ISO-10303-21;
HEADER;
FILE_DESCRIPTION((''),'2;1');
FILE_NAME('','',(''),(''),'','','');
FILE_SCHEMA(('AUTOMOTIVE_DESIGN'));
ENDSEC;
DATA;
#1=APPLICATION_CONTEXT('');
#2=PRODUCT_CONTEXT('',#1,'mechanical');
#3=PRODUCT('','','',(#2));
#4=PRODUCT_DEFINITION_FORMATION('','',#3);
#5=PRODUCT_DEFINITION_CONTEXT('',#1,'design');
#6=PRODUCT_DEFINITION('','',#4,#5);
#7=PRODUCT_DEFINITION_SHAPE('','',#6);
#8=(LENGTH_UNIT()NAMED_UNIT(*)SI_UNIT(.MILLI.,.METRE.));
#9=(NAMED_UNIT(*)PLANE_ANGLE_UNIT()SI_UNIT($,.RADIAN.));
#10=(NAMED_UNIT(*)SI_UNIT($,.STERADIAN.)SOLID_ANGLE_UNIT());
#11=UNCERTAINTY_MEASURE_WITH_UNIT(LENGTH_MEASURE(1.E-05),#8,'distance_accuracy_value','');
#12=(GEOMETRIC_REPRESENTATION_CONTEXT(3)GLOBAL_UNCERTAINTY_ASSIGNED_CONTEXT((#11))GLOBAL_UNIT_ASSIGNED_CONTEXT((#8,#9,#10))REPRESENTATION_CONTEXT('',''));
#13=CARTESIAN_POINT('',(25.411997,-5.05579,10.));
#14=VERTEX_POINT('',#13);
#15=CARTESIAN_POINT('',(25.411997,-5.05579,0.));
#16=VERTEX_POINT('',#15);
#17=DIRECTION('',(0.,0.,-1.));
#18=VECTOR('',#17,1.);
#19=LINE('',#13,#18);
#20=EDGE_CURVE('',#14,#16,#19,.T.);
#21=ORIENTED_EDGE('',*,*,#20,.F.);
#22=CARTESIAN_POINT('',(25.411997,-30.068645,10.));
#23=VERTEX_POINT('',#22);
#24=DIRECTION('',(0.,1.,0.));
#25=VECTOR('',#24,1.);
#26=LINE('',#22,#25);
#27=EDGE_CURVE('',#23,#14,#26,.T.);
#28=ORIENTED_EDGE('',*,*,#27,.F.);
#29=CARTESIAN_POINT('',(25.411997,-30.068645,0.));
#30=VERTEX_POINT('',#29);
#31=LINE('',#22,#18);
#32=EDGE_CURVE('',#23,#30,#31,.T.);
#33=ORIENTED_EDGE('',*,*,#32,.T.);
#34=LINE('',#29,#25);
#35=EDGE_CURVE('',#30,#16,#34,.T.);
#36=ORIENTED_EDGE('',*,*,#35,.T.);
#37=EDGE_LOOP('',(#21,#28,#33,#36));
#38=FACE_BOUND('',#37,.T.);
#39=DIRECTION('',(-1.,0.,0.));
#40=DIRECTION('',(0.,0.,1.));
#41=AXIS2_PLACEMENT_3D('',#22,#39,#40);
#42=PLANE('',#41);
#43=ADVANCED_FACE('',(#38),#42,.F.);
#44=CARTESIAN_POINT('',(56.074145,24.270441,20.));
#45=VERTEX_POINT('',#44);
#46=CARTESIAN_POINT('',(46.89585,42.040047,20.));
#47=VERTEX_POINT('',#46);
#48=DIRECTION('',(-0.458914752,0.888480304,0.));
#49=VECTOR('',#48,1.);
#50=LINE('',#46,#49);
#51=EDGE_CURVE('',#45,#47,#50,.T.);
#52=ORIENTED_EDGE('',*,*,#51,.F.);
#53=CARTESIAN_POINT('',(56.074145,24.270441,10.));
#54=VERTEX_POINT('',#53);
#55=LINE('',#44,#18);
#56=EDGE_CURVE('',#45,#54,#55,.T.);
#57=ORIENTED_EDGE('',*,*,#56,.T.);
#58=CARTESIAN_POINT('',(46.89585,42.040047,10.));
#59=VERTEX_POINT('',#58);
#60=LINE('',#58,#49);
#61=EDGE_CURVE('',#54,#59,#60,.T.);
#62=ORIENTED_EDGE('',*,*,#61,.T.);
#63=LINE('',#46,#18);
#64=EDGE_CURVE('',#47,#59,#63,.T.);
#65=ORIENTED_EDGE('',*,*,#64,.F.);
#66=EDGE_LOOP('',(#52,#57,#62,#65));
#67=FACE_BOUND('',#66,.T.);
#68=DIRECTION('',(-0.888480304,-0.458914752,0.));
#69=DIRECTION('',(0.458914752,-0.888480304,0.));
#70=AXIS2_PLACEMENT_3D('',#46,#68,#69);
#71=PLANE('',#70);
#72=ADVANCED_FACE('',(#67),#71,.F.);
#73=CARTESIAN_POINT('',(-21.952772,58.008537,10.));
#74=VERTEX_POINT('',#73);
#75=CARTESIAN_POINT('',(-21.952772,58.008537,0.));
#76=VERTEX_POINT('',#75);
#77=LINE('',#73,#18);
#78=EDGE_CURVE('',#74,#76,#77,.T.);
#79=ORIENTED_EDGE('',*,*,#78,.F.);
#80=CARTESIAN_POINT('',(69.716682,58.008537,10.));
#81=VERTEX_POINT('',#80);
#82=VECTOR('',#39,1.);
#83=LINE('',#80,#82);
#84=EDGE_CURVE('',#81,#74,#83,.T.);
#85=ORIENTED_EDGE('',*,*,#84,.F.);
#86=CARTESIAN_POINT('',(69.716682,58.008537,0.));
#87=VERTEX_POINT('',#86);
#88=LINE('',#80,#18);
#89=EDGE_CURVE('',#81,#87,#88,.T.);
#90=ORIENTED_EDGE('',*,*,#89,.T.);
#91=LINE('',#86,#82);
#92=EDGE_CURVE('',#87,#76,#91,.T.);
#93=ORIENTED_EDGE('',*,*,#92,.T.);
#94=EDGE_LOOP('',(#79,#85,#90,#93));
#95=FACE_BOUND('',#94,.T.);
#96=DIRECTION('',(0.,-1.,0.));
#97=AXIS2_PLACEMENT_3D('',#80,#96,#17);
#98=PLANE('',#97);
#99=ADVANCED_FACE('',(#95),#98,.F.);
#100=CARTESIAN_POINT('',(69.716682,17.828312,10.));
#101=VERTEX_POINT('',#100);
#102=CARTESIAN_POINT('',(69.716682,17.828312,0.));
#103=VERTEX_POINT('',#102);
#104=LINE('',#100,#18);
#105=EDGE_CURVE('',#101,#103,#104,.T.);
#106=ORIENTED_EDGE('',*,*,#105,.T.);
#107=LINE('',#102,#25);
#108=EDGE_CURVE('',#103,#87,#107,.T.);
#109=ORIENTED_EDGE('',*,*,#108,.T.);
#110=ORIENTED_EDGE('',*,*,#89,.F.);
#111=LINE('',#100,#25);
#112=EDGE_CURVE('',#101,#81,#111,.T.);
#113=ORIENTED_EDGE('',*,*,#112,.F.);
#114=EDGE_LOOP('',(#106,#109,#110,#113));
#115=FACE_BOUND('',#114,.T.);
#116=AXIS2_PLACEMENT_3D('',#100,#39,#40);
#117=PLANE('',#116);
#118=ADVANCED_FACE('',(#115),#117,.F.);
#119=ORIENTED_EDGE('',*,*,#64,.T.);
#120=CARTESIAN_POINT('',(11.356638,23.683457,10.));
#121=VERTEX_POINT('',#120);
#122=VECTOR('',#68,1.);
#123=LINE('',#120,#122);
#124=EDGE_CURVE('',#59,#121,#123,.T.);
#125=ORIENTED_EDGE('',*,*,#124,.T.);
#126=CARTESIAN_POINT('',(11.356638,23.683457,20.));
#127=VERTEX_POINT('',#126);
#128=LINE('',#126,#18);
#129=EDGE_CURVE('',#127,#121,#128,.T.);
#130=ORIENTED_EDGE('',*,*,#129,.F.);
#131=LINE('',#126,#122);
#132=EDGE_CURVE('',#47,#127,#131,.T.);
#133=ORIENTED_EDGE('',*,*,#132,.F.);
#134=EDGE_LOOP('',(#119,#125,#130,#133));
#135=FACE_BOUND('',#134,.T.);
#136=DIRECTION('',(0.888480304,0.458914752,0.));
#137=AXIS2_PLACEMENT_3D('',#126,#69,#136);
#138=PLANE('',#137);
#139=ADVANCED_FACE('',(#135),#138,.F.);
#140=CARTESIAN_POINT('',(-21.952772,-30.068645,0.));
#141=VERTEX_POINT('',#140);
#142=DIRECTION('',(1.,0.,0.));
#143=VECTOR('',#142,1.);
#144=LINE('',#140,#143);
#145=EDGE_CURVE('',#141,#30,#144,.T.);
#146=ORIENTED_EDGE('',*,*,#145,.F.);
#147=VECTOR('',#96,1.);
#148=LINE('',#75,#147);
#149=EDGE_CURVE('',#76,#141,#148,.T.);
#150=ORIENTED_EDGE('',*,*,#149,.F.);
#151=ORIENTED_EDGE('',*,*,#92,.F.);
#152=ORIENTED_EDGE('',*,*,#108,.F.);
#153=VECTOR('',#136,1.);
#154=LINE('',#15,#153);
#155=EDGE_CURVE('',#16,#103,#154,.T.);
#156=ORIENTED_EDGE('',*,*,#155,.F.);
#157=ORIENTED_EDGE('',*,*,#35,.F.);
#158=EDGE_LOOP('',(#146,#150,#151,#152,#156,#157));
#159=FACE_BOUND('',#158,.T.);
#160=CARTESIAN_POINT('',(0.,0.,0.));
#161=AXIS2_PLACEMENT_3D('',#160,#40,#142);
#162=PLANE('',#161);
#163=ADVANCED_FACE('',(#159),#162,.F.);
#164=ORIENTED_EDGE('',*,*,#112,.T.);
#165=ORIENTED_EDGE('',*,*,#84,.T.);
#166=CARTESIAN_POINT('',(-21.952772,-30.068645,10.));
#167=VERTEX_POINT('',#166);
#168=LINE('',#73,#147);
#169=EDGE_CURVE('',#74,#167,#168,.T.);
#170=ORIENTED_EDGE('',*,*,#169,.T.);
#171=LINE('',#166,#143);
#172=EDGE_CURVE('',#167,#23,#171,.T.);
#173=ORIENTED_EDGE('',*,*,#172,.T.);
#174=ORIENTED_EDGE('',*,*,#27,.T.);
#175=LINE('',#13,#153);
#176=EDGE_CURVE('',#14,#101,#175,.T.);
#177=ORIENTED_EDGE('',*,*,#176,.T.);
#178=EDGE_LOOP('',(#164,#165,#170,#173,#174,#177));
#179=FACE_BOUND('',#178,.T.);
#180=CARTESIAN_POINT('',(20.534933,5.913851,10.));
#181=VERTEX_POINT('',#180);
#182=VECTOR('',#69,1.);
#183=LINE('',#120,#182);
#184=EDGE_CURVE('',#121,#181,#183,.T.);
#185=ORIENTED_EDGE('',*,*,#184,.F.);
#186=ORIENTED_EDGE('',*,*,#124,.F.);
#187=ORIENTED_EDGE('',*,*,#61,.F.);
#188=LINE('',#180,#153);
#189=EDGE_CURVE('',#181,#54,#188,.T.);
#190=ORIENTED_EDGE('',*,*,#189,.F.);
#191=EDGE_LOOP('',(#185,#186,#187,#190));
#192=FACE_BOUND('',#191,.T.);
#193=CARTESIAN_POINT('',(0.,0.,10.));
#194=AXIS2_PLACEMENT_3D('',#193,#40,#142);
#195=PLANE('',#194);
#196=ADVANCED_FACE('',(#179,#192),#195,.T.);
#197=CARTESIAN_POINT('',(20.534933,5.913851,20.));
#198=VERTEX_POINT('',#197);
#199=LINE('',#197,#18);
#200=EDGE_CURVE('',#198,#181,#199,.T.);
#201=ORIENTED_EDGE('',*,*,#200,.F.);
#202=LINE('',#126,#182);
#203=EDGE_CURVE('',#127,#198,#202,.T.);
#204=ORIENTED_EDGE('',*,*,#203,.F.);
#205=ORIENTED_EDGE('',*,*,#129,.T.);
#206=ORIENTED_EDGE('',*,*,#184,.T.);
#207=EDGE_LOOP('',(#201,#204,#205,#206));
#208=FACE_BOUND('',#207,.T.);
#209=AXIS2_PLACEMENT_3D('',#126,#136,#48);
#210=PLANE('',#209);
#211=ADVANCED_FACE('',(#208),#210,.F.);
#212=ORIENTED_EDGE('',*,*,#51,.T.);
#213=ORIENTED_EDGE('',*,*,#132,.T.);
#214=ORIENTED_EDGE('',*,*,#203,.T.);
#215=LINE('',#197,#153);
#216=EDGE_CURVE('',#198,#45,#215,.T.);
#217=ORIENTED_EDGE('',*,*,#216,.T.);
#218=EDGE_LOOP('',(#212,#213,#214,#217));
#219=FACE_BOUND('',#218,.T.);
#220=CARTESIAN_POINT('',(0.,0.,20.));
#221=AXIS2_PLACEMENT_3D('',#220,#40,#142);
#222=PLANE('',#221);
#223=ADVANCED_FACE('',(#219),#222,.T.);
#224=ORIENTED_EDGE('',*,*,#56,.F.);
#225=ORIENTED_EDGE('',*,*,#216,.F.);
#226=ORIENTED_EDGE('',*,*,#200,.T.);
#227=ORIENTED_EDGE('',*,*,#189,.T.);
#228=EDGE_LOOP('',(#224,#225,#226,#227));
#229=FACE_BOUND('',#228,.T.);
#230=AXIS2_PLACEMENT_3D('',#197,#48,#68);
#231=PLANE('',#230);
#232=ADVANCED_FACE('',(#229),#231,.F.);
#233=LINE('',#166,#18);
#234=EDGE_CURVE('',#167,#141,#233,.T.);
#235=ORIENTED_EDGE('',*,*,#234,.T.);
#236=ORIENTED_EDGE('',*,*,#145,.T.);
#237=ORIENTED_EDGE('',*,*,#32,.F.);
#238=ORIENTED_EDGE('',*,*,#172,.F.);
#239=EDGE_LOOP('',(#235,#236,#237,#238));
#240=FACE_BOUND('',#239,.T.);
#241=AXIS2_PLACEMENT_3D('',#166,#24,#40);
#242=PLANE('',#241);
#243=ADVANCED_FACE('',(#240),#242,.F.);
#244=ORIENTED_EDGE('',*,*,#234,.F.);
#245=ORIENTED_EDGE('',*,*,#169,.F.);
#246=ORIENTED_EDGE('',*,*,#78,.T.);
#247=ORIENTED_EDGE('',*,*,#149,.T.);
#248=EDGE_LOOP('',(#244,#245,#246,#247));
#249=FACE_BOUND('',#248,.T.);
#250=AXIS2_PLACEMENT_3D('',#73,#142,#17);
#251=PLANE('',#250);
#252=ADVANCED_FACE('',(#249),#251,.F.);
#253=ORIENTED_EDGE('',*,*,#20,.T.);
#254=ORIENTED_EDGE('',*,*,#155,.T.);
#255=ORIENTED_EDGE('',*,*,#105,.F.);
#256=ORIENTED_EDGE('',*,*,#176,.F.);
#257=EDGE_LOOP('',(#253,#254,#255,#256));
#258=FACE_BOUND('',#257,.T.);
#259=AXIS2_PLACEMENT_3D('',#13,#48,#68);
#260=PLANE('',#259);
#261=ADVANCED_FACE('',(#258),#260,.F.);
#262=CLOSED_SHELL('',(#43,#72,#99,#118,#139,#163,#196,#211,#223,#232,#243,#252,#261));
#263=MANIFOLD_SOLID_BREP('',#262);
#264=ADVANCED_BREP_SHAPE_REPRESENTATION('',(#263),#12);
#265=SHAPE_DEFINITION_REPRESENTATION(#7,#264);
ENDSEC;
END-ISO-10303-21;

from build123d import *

# Parameters (mm, degrees)
BOSS_EXTRUDE1_DEPTH = 10
SKETCH4_W           = 40
SKETCH4_H           = 20
BOSS_EXTRUDE2_DEPTH = 10


with BuildPart() as part:
    # Sketch1 → Boss-Extrude1 (new body)
    with BuildSketch(Plane.XY):
        Polygon((-21.95277207, -30.06864538), (25.41199676, -30.06864538), (25.41199676, -5.055789931), (69.716682209, 17.828311863), (69.716682209, 58.008537106), (-21.95277207, 58.008537106), align=None)
    extrude(amount=BOSS_EXTRUDE1_DEPTH)

    # Sketch4 → Boss-Extrude2 (add)
    with BuildSketch(Plane(origin=(25.41199676, -5.055789931, 10), x_dir=(0.8884803040682522, 0.458914751650877, 0), z_dir=(0, 0, 1))):
        with Locations((20.70095496, 21.984466403)):
            Rectangle(SKETCH4_W, SKETCH4_H)
    extrude(amount=BOSS_EXTRUDE2_DEPTH)


solid = part.part
